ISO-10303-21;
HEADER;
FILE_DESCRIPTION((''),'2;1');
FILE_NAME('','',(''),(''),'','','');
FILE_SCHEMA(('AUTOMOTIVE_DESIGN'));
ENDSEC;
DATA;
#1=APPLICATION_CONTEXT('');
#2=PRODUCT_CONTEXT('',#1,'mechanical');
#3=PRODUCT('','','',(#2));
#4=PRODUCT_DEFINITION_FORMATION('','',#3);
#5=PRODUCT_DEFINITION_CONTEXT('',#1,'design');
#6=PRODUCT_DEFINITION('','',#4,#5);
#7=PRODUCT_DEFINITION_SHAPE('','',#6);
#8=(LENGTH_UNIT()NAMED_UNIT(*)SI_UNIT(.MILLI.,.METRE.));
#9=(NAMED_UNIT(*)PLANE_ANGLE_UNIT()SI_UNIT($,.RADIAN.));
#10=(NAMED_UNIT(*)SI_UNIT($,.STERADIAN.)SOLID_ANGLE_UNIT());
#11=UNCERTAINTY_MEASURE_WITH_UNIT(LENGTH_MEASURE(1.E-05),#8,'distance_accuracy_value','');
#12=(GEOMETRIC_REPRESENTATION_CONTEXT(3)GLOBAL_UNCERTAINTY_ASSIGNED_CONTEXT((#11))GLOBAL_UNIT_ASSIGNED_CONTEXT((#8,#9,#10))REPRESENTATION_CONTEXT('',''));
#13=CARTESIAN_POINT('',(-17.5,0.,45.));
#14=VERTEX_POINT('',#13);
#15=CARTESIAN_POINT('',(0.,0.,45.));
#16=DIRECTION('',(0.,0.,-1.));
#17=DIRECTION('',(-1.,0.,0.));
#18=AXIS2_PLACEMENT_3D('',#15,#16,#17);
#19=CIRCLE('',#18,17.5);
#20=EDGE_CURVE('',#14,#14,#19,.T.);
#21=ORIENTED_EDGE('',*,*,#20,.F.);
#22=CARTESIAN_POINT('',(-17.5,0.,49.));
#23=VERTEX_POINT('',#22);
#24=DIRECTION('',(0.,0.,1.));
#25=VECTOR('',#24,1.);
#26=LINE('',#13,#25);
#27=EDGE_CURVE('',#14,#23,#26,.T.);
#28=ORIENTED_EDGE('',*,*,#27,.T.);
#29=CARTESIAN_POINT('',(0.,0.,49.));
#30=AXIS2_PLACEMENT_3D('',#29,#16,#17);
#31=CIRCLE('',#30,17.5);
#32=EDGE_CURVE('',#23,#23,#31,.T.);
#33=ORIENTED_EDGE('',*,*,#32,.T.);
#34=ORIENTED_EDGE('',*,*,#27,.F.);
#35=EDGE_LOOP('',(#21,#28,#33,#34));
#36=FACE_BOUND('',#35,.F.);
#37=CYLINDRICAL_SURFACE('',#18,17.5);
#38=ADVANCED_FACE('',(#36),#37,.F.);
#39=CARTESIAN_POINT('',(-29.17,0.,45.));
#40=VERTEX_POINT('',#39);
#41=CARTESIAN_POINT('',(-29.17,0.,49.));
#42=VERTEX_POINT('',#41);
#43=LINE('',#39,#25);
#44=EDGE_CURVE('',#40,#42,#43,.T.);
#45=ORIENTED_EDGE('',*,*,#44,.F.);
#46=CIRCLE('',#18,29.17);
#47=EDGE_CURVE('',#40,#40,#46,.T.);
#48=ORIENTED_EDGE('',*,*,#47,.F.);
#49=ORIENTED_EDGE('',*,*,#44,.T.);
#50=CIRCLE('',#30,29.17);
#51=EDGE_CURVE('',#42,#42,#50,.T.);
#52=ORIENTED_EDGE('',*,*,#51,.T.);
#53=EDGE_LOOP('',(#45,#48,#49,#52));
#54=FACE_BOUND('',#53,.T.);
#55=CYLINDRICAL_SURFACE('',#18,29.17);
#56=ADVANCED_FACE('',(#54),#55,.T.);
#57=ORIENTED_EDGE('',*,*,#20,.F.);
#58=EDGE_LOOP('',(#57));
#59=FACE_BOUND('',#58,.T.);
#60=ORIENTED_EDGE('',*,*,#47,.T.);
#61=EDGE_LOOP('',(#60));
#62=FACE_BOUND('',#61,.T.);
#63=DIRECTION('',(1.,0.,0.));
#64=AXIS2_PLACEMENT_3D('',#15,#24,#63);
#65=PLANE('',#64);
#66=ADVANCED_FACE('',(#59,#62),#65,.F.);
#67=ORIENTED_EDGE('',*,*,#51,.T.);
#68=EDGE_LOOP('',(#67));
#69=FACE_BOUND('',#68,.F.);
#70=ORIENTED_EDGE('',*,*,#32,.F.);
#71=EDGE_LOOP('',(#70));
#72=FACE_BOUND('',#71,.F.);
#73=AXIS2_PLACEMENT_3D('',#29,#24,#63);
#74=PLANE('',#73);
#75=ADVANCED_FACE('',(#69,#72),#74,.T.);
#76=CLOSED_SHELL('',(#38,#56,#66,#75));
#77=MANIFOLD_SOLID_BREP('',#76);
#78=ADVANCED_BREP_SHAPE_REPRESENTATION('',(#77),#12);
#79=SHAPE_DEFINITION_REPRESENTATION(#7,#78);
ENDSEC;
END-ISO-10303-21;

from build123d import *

# Parameters (mm, degrees)
CYLINDER001_R     = 17.5
CYLINDER001_DEPTH = 4
CYLINDER_R        = 29.17
CYLINDER_DEPTH    = 4


with BuildPart() as cylinder001:
    # Cylinder001 → Cylinder001 (new body)
    with BuildSketch(Plane.XY.offset(45)):
        Circle(CYLINDER001_R)
    extrude(amount=CYLINDER001_DEPTH)


with BuildPart() as cut001:
    # Cylinder → Cylinder (new body)
    with BuildSketch(Plane.XY.offset(45)):
        Circle(CYLINDER_R)
    extrude(amount=CYLINDER_DEPTH)

    # Cut001: cut Cylinder001
    add(cylinder001.part, mode=Mode.SUBTRACT)


with BuildPart() as part_mirroring001:
    # Part__Mirroring001: instance of Cut001
    add(cut001.part.mirror(Plane(origin=(0, 0, 0), x_dir=(0, -1, 0), z_dir=(1, 0, 0))))


solid = part_mirroring001.part
